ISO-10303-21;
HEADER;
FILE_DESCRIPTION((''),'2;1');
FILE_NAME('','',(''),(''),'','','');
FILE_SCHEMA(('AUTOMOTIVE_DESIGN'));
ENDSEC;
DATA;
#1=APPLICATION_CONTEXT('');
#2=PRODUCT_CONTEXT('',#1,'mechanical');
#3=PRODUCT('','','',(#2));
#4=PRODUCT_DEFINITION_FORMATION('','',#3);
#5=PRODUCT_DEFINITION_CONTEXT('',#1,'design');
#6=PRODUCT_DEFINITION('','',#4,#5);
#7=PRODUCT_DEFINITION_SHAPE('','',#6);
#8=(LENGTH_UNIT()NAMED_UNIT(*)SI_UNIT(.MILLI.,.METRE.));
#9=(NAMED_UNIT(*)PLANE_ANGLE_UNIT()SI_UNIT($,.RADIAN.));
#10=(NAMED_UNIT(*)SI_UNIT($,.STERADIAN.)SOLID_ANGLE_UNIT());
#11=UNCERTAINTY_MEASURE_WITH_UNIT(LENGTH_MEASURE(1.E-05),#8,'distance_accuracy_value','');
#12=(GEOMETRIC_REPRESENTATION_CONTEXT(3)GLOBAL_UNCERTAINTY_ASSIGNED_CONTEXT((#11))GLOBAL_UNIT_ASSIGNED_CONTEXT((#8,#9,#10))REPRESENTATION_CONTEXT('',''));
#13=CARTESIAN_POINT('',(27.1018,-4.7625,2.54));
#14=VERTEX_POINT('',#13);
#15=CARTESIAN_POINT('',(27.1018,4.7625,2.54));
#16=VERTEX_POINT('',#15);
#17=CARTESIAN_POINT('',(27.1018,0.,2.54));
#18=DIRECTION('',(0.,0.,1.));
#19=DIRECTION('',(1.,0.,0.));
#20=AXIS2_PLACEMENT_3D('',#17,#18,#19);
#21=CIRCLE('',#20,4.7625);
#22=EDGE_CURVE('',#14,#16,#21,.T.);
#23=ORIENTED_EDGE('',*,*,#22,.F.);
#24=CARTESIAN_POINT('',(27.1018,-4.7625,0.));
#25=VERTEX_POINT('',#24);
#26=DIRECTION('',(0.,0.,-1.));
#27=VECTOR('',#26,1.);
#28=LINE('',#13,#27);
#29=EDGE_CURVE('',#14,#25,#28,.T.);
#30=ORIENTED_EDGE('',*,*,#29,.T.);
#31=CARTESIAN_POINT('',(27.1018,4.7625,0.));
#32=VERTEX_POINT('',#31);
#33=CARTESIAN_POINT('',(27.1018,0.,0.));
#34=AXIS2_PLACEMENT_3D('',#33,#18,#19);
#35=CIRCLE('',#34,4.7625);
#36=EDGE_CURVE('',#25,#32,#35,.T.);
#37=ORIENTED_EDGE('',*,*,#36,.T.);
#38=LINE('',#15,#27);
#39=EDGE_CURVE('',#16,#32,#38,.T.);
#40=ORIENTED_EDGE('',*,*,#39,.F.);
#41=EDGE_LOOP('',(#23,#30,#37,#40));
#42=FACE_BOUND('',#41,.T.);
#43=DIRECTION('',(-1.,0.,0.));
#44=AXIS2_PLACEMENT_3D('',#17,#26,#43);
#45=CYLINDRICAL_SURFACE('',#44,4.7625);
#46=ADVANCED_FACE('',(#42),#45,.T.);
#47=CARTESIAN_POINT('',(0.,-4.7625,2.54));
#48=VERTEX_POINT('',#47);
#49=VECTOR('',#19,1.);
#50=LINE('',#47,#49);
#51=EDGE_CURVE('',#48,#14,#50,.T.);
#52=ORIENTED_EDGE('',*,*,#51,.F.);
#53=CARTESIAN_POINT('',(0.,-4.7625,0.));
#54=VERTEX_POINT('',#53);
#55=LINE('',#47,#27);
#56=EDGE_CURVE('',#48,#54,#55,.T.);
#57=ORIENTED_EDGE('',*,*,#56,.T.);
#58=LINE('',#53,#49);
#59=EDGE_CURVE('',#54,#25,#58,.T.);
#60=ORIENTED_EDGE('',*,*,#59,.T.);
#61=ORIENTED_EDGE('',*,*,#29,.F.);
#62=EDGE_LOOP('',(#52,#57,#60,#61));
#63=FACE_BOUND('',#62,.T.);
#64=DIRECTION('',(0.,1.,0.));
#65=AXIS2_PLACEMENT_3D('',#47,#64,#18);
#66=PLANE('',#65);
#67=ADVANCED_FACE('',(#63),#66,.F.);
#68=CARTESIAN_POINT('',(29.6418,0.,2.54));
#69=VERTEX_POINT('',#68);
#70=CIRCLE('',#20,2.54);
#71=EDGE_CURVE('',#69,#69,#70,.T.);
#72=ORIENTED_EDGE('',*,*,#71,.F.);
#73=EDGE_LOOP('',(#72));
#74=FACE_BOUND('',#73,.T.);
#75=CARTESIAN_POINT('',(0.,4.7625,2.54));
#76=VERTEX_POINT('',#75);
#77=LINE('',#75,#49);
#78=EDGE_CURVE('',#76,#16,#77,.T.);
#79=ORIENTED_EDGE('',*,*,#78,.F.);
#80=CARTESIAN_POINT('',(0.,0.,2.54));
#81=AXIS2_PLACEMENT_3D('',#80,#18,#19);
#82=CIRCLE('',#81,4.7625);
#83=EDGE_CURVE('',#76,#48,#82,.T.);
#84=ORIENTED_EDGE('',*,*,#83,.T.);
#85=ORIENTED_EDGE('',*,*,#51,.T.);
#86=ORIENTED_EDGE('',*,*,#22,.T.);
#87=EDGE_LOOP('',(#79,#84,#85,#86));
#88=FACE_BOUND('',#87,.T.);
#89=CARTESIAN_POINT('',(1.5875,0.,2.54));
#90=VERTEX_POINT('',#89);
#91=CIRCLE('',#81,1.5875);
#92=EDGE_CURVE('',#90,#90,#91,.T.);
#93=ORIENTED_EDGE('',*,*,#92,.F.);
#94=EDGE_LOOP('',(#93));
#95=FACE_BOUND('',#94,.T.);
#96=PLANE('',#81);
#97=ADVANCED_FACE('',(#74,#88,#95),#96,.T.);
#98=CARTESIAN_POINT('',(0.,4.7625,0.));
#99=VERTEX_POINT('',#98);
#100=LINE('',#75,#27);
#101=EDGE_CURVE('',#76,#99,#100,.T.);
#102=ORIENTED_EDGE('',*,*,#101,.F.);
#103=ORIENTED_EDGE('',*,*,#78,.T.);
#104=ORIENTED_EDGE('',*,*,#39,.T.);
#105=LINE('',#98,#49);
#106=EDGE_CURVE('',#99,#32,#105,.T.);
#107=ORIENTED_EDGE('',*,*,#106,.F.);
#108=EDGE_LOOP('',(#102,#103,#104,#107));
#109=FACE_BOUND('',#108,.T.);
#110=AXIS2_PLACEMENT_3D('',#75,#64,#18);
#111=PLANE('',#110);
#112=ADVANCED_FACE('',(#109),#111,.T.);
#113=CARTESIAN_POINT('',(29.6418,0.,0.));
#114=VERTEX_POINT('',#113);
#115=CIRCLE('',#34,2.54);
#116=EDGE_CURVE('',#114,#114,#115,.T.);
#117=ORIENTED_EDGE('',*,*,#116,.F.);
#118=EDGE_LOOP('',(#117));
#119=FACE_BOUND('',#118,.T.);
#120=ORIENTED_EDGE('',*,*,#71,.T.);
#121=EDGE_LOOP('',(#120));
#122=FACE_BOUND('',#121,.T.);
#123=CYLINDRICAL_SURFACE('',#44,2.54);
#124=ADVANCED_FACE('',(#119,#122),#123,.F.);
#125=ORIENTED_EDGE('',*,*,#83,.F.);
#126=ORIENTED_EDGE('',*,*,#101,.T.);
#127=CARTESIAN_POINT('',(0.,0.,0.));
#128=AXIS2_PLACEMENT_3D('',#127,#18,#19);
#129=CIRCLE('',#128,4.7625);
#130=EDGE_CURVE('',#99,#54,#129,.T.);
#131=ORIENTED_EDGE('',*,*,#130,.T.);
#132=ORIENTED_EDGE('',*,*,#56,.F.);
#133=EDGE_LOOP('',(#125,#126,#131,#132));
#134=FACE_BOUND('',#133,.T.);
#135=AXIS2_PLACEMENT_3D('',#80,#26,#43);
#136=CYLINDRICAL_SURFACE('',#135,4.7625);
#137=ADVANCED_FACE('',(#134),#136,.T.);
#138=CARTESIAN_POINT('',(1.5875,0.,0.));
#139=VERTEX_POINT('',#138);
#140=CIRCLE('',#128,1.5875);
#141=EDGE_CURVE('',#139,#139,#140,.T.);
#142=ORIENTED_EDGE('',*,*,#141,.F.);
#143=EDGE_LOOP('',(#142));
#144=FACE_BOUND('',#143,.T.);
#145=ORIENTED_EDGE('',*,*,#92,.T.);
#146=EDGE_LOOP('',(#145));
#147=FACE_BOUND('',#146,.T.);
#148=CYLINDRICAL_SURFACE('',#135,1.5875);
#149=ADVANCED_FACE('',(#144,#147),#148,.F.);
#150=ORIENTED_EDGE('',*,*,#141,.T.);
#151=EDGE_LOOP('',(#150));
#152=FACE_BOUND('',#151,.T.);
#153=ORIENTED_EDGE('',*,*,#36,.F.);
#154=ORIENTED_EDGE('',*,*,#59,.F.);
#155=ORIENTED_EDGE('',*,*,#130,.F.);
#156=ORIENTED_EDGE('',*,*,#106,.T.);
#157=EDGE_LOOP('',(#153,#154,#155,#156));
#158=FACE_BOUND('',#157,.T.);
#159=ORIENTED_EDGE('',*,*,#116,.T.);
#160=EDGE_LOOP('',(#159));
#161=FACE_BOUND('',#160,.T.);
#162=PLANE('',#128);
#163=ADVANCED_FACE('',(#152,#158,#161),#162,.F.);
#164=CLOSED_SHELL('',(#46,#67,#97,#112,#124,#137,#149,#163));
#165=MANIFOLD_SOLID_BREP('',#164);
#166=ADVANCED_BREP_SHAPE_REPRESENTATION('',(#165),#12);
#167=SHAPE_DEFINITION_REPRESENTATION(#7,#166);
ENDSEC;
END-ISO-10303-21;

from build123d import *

# Parameters (mm, degrees)
SKETCH1_R           = 4.7625
SKETCH1_R_2         = 1.5875
SKETCH1_R_3         = 2.54
BOSS_EXTRUDE2_DEPTH = 2.54


with BuildPart() as part:
    # Sketch1 → Boss-Extrude2 (new body)
    # profile 1 of 3: a face of its own
    with BuildSketch(Plane.XY):
        Circle(SKETCH1_R)
        Circle(SKETCH1_R_2, mode=Mode.SUBTRACT)
    # profile 2 of 3: a face of its own
    with BuildSketch(Plane.XY):
        with Locations((27.1018, 0)):
            Circle(SKETCH1_R)
        with Locations((27.1018, 0)):
            Circle(SKETCH1_R_3, mode=Mode.SUBTRACT)
    # profile 3 of 3: a face of its own
    with BuildSketch(Plane.XY):
        with BuildLine():
            Line((27.1018, 4.7625), (0, 4.7625))
            ThreePointArc((0, 4.7625), (3.367596045, 3.367596045), (4.7625, 0))
            ThreePointArc((4.7625, 0), (3.367596045, -3.367596045), (0, -4.7625))
            Line((0, -4.7625), (27.1018, -4.7625))
            ThreePointArc((27.1018, -4.7625), (22.3393, 0), (27.1018, 4.7625))
        make_face()
    extrude(amount=BOSS_EXTRUDE2_DEPTH)


solid = part.part
